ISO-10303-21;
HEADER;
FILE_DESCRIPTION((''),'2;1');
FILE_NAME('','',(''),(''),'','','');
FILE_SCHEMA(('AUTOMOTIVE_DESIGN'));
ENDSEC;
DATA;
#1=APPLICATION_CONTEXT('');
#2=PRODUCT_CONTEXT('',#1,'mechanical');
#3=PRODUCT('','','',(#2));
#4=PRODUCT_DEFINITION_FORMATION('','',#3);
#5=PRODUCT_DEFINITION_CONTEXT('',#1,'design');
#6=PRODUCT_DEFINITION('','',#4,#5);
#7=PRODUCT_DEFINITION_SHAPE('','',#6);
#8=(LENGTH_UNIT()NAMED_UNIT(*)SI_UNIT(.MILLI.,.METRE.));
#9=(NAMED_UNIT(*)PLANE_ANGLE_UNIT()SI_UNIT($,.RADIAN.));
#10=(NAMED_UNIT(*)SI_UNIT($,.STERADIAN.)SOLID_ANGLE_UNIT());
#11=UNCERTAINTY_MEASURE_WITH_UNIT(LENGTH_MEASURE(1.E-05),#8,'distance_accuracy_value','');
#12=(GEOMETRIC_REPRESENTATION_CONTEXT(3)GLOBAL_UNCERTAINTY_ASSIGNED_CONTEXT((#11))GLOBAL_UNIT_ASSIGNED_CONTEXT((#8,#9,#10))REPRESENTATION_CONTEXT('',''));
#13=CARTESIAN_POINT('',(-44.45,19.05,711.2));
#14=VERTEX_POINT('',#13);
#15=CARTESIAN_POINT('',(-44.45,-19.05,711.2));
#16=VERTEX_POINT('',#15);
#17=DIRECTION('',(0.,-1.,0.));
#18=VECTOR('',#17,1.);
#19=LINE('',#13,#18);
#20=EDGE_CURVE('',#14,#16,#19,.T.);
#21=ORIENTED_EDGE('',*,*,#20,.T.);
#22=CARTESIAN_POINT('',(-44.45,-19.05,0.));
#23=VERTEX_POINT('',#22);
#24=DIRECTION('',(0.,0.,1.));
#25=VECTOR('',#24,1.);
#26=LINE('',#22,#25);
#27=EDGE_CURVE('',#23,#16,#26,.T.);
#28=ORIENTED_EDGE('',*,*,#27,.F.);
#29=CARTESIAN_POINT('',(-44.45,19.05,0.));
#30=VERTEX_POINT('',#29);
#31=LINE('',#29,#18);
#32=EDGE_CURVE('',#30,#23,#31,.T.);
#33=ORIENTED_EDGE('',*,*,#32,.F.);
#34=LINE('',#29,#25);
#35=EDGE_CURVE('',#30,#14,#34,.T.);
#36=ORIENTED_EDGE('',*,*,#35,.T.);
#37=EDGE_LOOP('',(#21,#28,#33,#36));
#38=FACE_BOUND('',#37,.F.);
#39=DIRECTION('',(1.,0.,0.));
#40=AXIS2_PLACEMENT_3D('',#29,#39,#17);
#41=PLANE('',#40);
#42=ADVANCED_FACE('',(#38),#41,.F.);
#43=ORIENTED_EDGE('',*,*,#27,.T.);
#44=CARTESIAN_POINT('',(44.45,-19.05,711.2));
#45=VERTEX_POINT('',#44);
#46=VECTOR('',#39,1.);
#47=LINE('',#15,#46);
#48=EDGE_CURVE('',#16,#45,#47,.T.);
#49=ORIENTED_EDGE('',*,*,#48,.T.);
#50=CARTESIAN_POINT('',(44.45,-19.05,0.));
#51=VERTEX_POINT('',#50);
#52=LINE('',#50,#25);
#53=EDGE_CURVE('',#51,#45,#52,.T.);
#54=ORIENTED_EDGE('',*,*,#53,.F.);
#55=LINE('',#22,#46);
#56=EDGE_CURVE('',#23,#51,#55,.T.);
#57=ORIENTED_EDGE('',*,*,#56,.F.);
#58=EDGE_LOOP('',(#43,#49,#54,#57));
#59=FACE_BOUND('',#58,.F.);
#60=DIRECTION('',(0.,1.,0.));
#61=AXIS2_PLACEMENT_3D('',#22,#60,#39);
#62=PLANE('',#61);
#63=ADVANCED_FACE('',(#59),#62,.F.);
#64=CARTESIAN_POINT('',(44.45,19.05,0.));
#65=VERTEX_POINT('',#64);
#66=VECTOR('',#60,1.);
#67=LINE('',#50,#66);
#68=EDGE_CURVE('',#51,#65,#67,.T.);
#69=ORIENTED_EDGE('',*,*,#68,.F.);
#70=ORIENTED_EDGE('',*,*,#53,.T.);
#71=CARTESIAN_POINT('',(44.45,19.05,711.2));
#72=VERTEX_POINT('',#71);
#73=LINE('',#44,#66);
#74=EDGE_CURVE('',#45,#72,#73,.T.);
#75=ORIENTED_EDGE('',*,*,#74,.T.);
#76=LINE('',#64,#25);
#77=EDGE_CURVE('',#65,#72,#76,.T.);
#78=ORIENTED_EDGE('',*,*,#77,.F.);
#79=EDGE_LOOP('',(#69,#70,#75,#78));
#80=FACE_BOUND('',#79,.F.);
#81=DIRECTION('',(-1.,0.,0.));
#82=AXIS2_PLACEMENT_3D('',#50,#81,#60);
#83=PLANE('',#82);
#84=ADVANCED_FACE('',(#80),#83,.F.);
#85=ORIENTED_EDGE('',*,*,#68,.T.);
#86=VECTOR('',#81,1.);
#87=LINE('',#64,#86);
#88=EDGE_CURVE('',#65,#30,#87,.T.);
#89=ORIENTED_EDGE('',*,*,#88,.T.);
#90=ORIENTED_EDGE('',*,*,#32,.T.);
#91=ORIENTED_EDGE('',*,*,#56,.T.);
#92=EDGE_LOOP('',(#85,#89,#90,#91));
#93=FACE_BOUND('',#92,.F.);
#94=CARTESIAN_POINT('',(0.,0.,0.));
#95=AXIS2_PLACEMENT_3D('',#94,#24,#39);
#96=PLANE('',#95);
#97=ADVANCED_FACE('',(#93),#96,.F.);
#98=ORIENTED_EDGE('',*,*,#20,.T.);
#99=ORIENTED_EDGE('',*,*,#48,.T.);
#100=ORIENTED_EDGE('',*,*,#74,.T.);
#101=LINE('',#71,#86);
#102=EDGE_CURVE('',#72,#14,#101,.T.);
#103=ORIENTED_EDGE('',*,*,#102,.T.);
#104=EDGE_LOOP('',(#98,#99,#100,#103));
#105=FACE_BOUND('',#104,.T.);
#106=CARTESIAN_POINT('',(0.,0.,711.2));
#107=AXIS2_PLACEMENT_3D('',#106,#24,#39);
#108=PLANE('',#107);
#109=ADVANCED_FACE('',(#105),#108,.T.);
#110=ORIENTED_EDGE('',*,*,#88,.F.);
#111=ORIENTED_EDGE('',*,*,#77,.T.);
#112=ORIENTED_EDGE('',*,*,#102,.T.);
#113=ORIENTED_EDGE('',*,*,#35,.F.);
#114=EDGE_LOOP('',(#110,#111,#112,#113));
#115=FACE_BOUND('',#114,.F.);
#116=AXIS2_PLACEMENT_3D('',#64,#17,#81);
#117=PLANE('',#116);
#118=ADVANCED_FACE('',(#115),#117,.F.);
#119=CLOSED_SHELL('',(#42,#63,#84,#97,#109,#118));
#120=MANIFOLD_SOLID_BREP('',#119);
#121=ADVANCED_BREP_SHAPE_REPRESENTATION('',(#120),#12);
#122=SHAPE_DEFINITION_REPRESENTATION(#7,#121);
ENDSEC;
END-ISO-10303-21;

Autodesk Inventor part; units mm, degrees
ref_plane "YZ Plane" through (0, 0, 0) normal (1, 0, 0) x (0, 1, 0)
ref_plane "XZ Plane" through (0, 0, 0) normal (0, 1, 0) x (-1, 0, 0)
ref_plane "XY Plane" through (0, 0, 0) normal (0, 0, 1) x (1, 0, 0)
sketch "Sketch1" plane through (0, 0, 0) normal (0, 0, 1) x (1, 0, 0)
  line L0 (-44.45, -19.05) -> (44.45, -19.05)
  line L1 (44.45, -19.05) -> (44.45, 19.05)
  line L2 (44.45, 19.05) -> (-44.45, 19.05)
  line L3 (-44.45, 19.05) -> (-44.45, -19.05)
  line L4 (-44.45, -19.05) -> (44.45, 19.05) construction
  line L5 (44.45, -19.05) -> (-44.45, 19.05) construction
  point P0 (0, 0)
  dimension "d0" = 88.9
  dimension "d1" = 38.1
extrude "Extrusion1" add sketch "Sketch1" along normal blind 711.2
properties part number "2x4x8.5"
